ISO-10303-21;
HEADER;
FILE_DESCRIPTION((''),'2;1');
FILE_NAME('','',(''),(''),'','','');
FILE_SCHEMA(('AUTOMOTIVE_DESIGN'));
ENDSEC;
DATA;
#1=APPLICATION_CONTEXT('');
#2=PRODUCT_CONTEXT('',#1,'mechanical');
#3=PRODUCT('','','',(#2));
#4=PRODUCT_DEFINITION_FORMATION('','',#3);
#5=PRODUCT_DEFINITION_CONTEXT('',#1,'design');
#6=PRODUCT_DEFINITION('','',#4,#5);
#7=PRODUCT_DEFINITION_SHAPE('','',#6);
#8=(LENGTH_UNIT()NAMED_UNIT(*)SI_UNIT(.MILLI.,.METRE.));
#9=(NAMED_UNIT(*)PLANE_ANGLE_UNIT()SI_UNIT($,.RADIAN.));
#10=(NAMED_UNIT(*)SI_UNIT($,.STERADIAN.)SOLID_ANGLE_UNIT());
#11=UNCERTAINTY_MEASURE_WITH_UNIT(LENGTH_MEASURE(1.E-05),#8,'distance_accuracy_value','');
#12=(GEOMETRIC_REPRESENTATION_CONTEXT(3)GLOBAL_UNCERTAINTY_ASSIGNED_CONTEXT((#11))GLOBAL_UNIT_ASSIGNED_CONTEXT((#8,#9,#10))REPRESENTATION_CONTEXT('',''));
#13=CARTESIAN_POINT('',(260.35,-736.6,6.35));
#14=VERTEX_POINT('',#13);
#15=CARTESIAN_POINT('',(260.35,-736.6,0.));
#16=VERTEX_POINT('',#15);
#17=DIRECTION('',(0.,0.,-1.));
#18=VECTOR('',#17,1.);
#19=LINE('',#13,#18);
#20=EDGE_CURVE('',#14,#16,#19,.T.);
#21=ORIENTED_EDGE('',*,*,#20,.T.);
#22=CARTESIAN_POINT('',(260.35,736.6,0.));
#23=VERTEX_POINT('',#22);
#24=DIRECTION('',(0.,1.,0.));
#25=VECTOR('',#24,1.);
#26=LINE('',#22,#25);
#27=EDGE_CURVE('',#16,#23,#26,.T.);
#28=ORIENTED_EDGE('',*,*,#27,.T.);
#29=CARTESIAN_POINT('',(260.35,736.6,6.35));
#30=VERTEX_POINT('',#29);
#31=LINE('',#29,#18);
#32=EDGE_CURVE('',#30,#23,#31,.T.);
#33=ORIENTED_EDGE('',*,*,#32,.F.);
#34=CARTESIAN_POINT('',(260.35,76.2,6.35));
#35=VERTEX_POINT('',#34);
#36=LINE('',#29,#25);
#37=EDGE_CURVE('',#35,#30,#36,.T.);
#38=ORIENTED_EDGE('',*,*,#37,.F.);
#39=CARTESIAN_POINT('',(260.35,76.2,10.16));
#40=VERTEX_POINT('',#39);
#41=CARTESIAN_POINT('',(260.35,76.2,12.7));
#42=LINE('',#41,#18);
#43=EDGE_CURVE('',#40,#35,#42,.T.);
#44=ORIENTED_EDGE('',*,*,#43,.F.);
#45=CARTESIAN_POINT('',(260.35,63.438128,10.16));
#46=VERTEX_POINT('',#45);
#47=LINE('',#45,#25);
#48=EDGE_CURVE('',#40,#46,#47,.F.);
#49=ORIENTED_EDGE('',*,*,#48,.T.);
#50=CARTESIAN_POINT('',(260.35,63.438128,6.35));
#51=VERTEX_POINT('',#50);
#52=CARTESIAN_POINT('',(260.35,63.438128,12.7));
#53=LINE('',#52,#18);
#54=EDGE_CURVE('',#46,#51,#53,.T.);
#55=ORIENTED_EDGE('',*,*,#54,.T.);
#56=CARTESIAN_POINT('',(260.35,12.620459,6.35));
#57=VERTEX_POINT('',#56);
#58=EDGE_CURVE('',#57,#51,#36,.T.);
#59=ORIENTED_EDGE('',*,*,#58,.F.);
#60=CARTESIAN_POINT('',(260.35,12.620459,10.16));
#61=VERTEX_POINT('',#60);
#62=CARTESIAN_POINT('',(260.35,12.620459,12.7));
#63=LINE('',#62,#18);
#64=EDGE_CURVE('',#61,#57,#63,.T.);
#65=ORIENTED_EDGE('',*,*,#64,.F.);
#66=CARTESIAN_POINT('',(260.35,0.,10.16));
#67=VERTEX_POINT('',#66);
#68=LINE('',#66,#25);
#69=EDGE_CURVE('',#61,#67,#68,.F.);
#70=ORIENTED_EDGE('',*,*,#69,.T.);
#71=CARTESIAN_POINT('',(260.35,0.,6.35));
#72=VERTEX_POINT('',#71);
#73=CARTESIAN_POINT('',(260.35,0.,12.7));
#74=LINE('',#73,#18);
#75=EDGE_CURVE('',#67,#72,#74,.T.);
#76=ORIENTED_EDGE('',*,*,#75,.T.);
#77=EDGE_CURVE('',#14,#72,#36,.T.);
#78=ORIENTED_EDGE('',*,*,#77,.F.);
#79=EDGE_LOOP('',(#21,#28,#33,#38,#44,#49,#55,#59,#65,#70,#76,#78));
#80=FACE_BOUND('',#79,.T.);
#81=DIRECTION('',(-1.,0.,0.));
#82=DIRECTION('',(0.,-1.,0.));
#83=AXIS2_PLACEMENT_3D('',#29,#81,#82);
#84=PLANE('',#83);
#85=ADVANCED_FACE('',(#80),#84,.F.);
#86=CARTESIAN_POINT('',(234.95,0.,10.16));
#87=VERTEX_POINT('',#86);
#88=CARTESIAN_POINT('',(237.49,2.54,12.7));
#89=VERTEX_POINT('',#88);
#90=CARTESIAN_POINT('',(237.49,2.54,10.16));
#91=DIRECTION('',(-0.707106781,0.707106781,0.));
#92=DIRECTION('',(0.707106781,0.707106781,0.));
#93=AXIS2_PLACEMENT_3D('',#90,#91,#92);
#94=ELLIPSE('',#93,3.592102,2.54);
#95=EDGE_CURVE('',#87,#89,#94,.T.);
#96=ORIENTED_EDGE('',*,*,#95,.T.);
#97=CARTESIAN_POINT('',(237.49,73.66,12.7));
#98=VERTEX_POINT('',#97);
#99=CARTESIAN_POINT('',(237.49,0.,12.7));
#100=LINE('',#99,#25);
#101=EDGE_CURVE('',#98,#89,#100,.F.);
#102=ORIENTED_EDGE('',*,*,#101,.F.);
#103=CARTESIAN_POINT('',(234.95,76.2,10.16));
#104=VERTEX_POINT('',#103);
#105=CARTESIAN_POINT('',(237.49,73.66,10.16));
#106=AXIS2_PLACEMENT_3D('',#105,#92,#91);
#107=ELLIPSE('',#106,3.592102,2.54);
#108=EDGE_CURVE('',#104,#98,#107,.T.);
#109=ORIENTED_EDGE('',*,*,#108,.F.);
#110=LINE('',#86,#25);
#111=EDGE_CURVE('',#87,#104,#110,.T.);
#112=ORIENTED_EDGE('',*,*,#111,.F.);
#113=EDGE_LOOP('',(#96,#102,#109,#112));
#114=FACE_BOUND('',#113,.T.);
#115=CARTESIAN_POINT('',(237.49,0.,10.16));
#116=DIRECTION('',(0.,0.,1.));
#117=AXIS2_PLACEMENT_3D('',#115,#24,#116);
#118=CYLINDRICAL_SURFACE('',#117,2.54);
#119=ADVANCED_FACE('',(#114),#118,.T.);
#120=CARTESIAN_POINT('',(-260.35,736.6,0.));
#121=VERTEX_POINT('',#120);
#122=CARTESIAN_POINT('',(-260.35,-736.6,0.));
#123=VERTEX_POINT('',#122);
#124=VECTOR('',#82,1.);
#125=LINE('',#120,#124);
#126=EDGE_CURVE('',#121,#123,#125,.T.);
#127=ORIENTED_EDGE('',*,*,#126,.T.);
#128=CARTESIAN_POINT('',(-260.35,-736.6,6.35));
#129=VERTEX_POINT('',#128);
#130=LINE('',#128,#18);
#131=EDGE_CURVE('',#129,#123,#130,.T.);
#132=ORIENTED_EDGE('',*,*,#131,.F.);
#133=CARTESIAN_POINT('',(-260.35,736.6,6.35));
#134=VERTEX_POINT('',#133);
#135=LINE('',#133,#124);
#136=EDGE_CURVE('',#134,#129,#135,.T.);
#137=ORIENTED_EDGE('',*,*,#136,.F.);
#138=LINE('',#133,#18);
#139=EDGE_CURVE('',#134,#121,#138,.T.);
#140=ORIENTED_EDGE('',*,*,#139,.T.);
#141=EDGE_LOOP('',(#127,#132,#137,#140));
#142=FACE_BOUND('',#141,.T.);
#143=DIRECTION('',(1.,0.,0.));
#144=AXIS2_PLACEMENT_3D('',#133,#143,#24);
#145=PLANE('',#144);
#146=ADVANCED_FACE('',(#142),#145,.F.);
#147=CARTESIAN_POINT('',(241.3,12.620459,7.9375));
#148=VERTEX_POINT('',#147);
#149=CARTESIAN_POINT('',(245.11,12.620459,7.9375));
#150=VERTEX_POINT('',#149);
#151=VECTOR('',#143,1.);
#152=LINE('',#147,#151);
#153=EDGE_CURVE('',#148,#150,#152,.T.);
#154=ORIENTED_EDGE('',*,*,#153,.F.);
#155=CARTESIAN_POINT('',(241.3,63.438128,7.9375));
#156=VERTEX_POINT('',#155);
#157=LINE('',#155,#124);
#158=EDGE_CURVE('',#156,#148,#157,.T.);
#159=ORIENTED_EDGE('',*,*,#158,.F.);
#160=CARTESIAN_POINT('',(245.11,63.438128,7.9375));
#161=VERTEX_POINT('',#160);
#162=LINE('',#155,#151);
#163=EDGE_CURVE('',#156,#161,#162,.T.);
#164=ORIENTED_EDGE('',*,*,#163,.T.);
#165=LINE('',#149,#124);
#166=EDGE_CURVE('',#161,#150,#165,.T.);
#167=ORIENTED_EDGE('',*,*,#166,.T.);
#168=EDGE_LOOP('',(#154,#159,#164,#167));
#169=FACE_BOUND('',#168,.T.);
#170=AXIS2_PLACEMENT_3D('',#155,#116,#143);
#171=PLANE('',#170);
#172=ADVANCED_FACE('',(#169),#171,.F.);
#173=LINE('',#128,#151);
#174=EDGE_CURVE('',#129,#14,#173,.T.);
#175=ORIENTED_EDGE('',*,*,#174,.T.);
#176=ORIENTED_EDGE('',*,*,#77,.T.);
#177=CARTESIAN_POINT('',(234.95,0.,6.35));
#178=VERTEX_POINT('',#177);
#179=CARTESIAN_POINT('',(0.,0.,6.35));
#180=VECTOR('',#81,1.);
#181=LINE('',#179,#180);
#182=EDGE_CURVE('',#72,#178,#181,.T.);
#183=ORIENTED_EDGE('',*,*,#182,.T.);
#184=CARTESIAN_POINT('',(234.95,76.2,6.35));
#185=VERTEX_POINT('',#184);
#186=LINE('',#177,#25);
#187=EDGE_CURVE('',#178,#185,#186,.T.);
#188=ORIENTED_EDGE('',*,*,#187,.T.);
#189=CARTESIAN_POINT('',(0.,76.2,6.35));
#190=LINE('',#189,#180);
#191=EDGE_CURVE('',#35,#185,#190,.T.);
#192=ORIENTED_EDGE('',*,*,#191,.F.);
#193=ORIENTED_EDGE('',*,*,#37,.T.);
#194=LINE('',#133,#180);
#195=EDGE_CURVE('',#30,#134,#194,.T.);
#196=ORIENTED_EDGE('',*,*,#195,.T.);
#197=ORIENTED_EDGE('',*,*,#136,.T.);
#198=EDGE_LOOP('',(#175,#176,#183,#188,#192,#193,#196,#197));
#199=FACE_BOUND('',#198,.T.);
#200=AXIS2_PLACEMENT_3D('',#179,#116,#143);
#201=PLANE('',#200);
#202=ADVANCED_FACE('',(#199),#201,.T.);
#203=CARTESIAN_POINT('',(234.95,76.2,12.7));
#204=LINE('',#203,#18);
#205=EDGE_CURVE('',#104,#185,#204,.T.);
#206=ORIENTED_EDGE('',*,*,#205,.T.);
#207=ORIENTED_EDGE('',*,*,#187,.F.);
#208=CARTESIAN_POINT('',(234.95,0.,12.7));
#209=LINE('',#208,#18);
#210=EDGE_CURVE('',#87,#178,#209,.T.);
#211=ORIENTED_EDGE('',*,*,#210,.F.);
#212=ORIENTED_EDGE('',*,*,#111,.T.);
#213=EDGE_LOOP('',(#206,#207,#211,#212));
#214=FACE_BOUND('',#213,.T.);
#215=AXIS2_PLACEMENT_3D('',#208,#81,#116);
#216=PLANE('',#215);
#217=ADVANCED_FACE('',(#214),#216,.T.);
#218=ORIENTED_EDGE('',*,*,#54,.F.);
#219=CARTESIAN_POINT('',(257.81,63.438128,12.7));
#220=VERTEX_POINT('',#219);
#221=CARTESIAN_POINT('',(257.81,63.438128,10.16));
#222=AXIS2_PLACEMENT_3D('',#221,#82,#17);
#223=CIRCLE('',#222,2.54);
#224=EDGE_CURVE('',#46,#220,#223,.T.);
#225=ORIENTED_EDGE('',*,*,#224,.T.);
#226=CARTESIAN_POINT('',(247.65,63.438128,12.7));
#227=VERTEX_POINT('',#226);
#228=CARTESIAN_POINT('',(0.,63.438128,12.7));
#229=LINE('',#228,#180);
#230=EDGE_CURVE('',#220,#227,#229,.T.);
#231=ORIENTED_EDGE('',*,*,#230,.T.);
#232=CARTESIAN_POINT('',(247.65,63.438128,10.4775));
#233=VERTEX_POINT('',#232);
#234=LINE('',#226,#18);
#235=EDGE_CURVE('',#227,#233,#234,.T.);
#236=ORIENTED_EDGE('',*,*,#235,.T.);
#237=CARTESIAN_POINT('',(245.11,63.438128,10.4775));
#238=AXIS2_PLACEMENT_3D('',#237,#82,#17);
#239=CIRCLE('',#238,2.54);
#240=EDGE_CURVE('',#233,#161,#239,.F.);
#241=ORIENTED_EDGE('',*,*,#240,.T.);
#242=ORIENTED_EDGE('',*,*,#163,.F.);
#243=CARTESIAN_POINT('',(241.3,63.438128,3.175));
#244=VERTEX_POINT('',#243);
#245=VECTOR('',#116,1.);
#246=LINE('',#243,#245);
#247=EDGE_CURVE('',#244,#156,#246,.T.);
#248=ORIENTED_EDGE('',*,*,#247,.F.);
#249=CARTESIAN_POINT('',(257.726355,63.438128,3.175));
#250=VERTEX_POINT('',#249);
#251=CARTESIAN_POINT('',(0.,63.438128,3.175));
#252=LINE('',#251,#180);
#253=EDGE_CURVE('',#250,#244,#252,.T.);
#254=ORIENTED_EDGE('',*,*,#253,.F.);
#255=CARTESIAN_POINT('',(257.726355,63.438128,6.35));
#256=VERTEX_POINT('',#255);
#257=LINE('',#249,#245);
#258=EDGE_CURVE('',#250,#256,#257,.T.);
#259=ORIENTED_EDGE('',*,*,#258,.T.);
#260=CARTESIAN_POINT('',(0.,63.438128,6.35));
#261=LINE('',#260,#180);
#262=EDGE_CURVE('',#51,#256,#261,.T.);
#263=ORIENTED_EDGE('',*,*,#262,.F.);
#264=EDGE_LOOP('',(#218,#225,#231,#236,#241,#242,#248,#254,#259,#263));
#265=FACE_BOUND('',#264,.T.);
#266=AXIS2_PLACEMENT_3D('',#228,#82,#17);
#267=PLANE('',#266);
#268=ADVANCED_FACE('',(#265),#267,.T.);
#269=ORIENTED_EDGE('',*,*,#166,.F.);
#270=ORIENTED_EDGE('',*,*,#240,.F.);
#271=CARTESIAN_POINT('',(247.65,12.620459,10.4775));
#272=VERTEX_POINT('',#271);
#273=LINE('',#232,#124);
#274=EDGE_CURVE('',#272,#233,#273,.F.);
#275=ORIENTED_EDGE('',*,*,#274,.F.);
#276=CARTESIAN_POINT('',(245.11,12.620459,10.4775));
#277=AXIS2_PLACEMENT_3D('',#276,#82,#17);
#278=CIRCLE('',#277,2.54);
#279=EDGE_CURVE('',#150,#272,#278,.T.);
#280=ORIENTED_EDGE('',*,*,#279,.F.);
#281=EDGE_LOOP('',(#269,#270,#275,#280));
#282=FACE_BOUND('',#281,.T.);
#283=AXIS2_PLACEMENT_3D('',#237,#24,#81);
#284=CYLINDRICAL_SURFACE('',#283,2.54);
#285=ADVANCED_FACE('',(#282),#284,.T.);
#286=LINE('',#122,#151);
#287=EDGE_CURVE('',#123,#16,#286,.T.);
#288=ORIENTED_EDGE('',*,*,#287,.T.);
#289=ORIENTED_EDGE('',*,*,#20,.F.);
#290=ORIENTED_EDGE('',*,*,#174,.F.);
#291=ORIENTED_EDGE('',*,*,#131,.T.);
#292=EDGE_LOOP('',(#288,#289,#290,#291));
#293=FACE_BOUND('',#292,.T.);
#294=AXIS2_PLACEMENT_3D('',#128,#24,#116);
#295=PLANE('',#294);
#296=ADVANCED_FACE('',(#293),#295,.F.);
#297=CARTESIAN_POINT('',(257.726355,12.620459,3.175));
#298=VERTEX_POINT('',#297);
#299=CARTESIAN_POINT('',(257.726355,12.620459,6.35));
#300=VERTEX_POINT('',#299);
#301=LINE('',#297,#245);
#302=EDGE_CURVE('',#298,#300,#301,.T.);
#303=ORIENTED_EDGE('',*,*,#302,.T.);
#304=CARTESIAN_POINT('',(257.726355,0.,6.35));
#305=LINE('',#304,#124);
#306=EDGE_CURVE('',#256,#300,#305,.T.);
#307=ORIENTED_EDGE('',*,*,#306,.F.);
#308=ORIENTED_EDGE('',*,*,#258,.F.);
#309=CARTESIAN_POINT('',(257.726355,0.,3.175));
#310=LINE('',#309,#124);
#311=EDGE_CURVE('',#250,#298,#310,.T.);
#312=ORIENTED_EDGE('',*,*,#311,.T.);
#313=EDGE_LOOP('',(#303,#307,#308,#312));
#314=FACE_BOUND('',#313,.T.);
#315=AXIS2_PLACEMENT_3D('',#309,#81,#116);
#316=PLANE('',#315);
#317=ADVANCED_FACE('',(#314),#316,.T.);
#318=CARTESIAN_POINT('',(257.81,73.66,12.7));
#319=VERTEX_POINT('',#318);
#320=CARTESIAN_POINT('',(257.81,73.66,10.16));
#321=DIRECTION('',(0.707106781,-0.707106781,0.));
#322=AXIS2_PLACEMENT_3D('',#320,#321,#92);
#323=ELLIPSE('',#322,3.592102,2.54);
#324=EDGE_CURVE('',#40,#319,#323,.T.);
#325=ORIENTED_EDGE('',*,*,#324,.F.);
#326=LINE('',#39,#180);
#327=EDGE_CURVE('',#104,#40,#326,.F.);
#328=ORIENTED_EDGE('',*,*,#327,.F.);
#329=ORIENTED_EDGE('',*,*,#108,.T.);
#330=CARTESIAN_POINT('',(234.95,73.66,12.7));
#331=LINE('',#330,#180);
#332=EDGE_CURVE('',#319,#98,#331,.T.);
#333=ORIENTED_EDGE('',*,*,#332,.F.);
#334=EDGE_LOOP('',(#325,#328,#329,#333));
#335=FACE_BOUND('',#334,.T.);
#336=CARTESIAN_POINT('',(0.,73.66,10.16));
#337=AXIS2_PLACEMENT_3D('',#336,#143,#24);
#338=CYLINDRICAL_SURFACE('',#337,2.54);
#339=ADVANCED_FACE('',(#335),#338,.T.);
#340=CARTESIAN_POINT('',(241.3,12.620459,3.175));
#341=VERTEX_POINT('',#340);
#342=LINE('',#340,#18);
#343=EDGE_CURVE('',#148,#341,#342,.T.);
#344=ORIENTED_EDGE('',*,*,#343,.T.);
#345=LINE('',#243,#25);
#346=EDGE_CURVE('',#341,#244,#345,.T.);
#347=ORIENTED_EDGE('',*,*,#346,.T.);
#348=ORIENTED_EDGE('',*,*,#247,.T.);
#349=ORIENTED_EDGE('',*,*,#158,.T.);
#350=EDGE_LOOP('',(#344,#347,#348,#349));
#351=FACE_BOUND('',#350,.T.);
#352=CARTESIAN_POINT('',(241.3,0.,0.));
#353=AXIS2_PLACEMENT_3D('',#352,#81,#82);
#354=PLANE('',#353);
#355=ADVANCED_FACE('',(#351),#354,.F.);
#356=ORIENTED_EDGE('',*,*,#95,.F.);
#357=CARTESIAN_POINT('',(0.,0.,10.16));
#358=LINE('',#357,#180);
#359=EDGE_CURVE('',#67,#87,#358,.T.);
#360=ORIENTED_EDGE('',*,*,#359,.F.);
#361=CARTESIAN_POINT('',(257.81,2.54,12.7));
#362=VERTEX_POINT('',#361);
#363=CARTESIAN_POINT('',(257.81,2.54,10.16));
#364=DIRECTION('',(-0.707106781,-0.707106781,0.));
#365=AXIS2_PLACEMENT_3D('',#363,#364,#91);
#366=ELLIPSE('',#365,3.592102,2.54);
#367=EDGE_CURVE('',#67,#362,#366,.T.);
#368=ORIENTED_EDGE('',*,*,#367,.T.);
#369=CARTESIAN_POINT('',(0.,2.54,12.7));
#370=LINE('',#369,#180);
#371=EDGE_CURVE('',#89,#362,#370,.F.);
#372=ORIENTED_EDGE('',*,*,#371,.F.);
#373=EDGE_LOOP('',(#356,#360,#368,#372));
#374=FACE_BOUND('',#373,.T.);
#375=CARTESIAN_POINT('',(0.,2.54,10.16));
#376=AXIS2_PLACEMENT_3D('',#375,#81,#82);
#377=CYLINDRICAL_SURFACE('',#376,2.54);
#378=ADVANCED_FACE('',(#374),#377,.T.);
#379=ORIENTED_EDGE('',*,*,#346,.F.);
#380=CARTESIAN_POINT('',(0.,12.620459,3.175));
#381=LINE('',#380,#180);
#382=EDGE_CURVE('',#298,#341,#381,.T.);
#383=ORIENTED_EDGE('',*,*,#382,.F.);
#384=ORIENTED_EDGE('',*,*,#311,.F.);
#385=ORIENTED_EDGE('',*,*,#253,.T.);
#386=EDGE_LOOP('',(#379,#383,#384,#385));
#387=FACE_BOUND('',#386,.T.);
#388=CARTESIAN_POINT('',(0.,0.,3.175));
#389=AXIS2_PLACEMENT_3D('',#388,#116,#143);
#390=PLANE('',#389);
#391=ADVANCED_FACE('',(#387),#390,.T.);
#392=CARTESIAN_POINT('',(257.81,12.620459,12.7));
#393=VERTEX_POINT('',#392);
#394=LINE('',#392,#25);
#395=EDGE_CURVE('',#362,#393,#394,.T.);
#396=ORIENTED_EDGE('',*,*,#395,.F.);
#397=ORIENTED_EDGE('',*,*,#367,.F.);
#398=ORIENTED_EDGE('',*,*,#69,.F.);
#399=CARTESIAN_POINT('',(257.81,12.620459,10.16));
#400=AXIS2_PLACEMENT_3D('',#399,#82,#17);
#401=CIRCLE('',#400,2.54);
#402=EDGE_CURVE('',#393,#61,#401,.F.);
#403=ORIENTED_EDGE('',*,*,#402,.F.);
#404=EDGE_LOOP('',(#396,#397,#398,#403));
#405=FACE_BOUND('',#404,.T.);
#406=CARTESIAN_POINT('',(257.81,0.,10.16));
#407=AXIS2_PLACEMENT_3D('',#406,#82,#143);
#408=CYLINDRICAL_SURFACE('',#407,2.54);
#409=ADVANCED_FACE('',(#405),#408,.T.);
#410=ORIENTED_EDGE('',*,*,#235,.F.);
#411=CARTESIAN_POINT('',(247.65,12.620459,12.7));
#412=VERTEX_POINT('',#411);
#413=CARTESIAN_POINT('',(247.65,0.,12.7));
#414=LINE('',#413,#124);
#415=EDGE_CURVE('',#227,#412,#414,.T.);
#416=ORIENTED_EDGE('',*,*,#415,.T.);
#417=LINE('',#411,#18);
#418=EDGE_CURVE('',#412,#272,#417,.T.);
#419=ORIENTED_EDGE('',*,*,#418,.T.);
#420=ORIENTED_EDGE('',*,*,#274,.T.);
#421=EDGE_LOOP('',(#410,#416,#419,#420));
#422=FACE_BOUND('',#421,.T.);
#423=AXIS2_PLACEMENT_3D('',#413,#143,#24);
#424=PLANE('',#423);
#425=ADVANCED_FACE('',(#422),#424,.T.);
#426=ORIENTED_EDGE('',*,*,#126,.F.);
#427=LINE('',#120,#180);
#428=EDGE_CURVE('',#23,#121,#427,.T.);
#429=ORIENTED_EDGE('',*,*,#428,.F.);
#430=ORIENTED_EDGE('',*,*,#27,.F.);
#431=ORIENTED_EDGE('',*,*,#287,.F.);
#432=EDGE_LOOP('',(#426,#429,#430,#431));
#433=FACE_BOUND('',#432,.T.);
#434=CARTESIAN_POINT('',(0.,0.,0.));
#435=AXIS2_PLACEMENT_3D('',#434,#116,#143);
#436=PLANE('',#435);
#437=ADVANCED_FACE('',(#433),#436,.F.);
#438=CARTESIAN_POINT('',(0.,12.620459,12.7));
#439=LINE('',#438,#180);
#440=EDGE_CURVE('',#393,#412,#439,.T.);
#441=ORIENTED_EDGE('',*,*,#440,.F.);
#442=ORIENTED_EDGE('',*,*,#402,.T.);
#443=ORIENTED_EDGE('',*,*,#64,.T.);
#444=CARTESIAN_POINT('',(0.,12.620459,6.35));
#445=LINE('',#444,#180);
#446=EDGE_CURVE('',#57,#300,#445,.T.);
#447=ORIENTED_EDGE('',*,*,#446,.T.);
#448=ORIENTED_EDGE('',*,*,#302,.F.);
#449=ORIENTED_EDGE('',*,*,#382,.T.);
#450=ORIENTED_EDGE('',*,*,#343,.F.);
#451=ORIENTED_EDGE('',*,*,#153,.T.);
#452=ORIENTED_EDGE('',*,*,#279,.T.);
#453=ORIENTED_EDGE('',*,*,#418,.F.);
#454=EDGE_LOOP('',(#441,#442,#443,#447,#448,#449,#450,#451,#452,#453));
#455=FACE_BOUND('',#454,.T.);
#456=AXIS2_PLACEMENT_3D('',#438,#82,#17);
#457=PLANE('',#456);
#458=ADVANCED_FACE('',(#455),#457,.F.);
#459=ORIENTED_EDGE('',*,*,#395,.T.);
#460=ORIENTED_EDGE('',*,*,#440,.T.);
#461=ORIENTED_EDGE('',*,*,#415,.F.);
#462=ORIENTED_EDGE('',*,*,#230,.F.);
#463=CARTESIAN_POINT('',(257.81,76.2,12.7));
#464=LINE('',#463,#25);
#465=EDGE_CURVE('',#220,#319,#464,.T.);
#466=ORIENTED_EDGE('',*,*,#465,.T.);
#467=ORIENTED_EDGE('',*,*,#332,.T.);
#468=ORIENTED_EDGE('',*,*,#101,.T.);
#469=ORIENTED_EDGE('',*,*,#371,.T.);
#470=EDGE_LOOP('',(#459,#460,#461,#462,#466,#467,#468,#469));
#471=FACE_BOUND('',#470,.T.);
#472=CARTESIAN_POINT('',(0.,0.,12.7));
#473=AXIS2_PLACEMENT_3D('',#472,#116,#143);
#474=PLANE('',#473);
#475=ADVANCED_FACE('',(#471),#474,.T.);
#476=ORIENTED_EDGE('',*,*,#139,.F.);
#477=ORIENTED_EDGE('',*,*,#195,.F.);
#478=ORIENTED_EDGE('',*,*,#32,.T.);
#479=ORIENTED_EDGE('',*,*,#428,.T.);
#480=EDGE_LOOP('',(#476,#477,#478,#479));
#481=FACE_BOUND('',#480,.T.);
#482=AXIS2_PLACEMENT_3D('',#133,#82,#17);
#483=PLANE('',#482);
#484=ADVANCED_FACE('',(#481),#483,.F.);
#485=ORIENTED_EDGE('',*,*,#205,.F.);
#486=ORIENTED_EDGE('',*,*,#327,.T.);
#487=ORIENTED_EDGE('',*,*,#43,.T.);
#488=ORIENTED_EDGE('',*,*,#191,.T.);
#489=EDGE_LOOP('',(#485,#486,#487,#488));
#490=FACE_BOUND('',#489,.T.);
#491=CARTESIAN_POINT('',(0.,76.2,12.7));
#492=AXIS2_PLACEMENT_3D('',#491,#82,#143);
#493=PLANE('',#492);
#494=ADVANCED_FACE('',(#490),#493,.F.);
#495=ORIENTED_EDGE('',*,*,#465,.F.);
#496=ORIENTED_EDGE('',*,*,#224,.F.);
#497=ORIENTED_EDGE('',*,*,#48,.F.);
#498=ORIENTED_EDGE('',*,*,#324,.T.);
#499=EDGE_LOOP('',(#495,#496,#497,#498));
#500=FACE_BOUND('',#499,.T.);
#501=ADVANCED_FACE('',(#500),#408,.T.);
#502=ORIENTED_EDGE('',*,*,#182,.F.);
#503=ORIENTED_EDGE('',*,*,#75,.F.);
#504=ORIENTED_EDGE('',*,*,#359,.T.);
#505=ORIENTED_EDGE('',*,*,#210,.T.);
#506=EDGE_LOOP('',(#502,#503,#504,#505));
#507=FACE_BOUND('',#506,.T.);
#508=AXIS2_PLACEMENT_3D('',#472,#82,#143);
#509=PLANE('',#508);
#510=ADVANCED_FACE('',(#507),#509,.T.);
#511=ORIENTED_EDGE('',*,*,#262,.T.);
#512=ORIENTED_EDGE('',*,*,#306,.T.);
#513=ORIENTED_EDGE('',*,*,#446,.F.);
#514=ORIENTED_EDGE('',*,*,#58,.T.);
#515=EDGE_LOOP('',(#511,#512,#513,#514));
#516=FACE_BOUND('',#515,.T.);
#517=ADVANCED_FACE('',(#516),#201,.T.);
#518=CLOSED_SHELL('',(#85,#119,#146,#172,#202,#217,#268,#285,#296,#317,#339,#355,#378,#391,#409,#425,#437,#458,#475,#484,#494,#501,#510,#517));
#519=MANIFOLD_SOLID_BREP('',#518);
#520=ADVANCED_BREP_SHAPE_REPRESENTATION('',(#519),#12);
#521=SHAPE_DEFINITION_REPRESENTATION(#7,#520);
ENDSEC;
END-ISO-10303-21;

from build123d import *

# Parameters (mm, degrees)
SKETCH1_W           = 520.7
SKETCH1_H           = 1473.2
BOSS_EXTRUDE1_DEPTH = 6.35
BOSS_EXTRUDE2_DEPTH = 6.35
SKETCH2_4_W         = 10.0763546
SKETCH2_4_H         = 50.817669104
CUT_EXTRUDE1_DEPTH  = 3.175
SKETCH4_W           = 4.7625
SKETCH4_H           = 50.817669104
CUT_EXTRUDE2_DEPTH  = 6.35
FILLET1_R           = 2.54
FILLET2_R           = 2.54


with BuildPart() as part:
    # Sketch1 → Boss-Extrude1 (new body)
    with BuildSketch(Plane.XY):
        Rectangle(SKETCH1_W, SKETCH1_H)
    extrude(amount=BOSS_EXTRUDE1_DEPTH)

    # Sketch2 → Boss-Extrude2 (add)
    with BuildSketch(Plane.XY.offset(6.35)):
        Polygon((234.95, 0), (260.35, 0), (260.35, 12.620459264), (257.7263546, 12.620459264), (247.65, 12.620459264), (247.65, 63.438128368), (257.7263546, 63.438128368), (260.35, 63.438128368), (260.35, 76.2), (234.95, 76.2), align=None)
    extrude(amount=BOSS_EXTRUDE2_DEPTH)

    # Sketch2<4> → Cut-Extrude1 (cut)
    with BuildSketch(Plane.XY.offset(6.35)):
        with Locations((252.6881773, 38.029293816)):
            Rectangle(SKETCH2_4_W, SKETCH2_4_H)
    extrude(amount=-CUT_EXTRUDE1_DEPTH, mode=Mode.SUBTRACT)

    # Sketch4 → Cut-Extrude2 (cut)
    with BuildSketch(Plane(origin=(247.65, 0, 0), x_dir=(0, 0, -1), z_dir=(1, 0, 0))):
        with Locations((-5.55625, 38.029293816)):
            Rectangle(SKETCH4_W, SKETCH4_H)
    extrude(amount=-CUT_EXTRUDE2_DEPTH, mode=Mode.SUBTRACT)

    # Fillet1
    fillet1_edges = [part.edges().sort_by_distance(p)[0] for p in [
        (247.65, 38.029293816, 7.9375),
    ]]
    fillet(fillet1_edges, radius=FILLET1_R)

    # Fillet2
    fillet2_edges = [part.edges().sort_by_distance(p)[0] for p in [
        (234.95, 38.1, 12.7),
        (247.65, 0, 12.7),
        (260.35, 69.819064184, 12.7),
        (247.65, 76.2, 12.7),
        (260.35, 6.310229632, 12.7),
    ]]
    fillet(fillet2_edges, radius=FILLET2_R)


solid = part.part
